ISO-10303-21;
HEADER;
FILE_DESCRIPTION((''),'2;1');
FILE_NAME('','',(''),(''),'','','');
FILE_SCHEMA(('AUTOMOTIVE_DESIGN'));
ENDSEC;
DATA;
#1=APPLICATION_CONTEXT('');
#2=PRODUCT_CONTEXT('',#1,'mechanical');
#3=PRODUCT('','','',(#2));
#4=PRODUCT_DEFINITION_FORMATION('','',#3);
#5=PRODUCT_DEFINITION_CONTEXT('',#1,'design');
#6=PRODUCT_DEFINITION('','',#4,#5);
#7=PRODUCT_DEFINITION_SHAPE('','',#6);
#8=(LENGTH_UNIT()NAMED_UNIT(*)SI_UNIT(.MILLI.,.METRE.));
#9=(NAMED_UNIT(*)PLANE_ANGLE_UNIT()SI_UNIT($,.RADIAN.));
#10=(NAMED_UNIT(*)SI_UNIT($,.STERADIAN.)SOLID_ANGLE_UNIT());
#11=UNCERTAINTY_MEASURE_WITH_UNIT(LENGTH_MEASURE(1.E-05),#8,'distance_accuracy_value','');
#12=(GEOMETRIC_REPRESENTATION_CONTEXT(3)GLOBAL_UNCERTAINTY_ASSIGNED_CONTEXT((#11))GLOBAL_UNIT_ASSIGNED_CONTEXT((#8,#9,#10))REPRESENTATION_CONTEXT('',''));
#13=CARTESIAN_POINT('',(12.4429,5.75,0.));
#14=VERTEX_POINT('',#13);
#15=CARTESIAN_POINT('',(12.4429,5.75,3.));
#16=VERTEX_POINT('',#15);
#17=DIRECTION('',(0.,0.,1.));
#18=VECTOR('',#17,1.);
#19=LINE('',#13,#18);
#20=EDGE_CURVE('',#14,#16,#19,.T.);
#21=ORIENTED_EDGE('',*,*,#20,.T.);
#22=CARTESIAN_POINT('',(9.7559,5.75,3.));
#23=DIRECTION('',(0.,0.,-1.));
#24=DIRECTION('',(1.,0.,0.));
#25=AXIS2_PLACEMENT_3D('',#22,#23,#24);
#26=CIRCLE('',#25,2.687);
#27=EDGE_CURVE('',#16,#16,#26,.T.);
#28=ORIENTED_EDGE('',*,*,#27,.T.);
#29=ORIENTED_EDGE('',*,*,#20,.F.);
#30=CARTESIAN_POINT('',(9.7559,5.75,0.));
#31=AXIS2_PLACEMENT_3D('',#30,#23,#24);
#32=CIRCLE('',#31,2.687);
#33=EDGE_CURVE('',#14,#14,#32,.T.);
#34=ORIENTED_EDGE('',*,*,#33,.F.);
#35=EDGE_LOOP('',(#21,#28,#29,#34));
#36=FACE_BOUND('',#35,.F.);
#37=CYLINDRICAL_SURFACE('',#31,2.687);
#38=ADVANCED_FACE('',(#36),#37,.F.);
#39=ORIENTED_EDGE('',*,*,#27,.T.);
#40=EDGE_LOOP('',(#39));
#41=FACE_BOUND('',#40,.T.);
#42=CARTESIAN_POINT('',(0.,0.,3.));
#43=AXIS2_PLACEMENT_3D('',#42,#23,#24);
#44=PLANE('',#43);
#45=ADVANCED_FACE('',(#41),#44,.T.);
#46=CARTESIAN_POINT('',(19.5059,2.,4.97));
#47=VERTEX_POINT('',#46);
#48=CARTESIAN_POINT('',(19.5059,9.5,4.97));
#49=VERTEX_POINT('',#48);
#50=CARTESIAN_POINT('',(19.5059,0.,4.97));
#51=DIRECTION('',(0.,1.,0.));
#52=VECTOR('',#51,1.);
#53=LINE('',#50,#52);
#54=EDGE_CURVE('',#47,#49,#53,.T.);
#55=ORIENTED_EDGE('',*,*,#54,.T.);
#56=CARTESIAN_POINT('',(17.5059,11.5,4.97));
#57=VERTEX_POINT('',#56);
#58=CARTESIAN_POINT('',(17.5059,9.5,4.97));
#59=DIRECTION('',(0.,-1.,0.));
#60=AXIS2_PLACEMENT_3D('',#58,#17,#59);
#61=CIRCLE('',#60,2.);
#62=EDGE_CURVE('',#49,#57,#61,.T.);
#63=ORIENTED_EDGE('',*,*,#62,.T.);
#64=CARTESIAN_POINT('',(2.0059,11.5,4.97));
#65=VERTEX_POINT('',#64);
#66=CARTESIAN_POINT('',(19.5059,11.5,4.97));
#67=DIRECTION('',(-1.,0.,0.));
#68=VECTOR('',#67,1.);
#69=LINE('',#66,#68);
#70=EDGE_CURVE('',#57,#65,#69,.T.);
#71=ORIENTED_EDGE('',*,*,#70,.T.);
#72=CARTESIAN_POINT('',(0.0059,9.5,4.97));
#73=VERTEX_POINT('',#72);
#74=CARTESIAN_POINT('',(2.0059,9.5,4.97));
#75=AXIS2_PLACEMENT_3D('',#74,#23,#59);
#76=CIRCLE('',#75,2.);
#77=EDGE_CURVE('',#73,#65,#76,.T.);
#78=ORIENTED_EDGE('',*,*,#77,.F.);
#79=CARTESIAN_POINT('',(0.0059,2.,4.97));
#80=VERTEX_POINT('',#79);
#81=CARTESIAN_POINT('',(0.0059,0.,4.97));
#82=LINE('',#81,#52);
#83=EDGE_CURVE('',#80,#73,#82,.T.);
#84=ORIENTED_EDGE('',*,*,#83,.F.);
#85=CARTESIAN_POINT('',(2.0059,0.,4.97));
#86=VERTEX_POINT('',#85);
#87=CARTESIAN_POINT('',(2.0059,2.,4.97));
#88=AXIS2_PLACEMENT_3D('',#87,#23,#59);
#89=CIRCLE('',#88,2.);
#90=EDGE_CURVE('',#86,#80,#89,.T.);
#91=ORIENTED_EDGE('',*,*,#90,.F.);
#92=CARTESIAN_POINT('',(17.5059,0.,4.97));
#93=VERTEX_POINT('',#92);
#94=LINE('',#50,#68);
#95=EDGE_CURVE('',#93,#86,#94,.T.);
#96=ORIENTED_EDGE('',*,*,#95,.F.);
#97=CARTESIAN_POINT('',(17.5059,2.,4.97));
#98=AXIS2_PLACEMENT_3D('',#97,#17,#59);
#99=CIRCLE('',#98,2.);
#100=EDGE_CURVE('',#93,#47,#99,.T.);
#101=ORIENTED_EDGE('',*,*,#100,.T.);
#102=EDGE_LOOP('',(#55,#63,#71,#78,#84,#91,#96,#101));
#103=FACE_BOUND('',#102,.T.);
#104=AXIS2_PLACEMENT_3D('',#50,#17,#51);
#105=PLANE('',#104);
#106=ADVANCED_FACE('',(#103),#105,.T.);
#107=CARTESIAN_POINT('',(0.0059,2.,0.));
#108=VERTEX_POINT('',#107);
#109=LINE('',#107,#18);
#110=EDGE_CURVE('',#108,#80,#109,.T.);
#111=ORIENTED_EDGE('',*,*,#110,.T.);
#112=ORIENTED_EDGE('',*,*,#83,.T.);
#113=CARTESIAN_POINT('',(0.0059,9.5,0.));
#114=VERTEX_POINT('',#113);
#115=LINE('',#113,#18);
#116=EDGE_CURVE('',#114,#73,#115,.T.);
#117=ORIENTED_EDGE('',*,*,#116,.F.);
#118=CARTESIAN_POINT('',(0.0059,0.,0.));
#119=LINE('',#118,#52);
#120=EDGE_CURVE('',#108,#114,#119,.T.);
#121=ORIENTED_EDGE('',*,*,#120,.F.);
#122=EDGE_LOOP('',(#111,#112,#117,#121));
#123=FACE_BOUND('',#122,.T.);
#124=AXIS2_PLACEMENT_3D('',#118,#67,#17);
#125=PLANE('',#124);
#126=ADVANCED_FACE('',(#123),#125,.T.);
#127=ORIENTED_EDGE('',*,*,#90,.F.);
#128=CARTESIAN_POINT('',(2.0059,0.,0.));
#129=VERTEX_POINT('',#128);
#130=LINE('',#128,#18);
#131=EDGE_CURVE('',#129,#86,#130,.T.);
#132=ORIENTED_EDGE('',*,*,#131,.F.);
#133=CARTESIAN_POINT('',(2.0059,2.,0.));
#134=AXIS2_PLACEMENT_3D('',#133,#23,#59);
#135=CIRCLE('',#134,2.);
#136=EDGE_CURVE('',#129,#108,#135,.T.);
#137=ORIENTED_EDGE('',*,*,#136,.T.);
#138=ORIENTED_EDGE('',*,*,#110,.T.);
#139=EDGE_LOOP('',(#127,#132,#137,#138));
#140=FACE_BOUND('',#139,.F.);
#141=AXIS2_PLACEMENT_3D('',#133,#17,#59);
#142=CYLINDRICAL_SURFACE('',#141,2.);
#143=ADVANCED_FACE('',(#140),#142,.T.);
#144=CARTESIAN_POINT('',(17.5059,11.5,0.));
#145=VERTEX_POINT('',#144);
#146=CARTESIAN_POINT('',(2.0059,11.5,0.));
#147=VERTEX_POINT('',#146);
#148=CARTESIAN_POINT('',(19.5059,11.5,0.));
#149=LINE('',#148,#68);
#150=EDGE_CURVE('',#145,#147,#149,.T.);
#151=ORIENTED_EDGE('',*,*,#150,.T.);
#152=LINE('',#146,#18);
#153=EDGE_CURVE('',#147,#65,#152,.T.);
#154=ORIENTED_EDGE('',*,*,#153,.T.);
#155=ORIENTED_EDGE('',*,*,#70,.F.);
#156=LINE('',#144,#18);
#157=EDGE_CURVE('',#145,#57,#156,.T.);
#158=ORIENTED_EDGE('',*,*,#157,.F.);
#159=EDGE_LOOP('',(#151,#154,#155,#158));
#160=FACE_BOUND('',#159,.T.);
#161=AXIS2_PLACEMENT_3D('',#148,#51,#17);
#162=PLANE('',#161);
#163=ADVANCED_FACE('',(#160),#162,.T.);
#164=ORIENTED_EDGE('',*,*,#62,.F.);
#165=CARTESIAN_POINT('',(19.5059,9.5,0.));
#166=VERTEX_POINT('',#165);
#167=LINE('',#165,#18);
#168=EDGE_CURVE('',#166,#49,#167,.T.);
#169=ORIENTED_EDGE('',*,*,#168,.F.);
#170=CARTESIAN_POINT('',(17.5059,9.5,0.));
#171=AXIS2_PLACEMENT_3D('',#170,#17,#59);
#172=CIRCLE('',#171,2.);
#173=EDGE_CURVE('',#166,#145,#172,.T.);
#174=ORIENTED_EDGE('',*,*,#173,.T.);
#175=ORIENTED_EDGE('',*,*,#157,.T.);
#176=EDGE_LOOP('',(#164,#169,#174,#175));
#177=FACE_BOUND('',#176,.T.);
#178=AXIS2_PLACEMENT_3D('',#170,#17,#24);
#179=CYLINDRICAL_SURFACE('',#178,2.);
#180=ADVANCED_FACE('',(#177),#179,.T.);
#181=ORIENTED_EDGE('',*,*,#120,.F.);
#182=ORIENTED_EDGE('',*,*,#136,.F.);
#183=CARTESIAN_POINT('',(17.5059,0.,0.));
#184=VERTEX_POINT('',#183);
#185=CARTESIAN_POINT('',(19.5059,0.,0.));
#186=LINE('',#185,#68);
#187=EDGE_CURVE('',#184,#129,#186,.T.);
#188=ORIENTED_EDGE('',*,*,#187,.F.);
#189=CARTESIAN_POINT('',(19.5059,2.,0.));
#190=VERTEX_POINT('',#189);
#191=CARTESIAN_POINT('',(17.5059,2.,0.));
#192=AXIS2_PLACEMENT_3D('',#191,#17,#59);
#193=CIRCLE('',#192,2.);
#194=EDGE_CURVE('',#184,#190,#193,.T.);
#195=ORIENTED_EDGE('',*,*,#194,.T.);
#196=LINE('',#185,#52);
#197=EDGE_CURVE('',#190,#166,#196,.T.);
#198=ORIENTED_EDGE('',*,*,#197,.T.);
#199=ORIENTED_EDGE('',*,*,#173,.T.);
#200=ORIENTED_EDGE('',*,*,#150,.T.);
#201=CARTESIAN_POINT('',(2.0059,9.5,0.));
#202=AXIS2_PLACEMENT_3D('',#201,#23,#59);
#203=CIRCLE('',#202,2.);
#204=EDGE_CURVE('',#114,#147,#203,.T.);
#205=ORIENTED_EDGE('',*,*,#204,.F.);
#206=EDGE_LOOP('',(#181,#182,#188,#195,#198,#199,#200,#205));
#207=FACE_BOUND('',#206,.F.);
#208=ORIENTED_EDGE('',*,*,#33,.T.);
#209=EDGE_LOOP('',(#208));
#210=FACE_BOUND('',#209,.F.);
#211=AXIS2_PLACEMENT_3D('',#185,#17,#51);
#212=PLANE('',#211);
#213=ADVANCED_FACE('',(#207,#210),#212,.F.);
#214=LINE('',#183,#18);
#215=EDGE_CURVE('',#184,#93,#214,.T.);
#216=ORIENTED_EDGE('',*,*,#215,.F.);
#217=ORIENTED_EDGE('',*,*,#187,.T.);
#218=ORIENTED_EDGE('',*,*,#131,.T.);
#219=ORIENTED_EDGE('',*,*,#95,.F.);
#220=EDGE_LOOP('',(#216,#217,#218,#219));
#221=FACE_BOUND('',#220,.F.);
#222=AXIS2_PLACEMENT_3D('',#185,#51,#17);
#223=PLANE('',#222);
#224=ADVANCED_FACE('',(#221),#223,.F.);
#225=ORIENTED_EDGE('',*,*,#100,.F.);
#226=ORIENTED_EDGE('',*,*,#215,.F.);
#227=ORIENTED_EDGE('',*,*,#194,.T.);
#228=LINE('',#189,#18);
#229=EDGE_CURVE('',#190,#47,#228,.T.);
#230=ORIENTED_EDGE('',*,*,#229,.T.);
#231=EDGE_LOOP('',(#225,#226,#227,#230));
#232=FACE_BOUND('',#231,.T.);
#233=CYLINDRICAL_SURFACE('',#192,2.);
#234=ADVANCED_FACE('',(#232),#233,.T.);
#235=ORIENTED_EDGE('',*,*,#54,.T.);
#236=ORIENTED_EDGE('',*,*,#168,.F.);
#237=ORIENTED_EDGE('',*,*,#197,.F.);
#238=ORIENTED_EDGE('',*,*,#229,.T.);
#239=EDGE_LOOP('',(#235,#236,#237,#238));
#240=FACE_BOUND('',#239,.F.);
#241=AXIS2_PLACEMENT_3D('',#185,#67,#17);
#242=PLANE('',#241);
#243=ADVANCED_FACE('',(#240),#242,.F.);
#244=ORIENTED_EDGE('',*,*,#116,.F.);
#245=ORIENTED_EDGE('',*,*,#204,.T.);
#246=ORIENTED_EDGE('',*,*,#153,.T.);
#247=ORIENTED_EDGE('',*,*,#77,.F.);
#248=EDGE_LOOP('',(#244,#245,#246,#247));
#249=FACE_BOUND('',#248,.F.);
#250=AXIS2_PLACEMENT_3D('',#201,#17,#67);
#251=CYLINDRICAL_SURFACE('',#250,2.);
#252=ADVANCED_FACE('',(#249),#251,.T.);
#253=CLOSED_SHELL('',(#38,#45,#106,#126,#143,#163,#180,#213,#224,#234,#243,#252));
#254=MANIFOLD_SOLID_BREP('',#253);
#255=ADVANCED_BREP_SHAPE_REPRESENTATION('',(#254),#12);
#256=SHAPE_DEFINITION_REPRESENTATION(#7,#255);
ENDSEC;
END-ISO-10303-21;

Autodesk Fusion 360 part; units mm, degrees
box "BoxPrimitive1" add length 11.5 width 19.5 height 4.97 placed x (0, 1, 0) y (-1, 0, 0) z (0, 0, 1) at (19.5059, 0, 0)
sketch "Sketch3" plane through (0, 0, 0) normal (0, 0, -1) x (1, 0, 0)
  line L0 (0.0059, -11.5) -> (19.5059, -11.5)
  line L1 (19.5059, -11.5) -> (19.5059, 0)
  line L2 (19.5059, 0) -> (0.0059, 0)
  line L3 (0.0059, 0) -> (0.0059, -11.5)
  line L4 (19.5059, -11.5) -> (0.0059, 0) construction
  line L5 (19.5059, 0) -> (0.0059, -11.5) construction
  line L6 (7.8559, -3.85) -> (11.6559, -3.85) construction
  line L7 (11.6559, -3.85) -> (11.6559, -7.65) construction
  line L8 (11.6559, -7.65) -> (7.8559, -7.65) construction
  line L9 (7.8559, -7.65) -> (7.8559, -3.85) construction
  line L10 (7.8559, -3.85) -> (11.6559, -7.65) construction
  line L11 (11.6559, -3.85) -> (7.8559, -7.65) construction
  circle A0 centre (9.7559, -5.75) radius 2.687
  point P0 (9.7559, -5.75)
  point P1 (9.7559, -5.75)
  dimension "d6" = 3.8
extrude "Extrude1" cut sketch "Sketch3" against normal blind 3 contours A0
fillet "Fillet1" radius 2 4 edges at (0.0059, 11.5, 2.485) (0.0059, 0, 2.485) (19.5059, 11.5, 2.485) (19.5059, 0, 2.485)
